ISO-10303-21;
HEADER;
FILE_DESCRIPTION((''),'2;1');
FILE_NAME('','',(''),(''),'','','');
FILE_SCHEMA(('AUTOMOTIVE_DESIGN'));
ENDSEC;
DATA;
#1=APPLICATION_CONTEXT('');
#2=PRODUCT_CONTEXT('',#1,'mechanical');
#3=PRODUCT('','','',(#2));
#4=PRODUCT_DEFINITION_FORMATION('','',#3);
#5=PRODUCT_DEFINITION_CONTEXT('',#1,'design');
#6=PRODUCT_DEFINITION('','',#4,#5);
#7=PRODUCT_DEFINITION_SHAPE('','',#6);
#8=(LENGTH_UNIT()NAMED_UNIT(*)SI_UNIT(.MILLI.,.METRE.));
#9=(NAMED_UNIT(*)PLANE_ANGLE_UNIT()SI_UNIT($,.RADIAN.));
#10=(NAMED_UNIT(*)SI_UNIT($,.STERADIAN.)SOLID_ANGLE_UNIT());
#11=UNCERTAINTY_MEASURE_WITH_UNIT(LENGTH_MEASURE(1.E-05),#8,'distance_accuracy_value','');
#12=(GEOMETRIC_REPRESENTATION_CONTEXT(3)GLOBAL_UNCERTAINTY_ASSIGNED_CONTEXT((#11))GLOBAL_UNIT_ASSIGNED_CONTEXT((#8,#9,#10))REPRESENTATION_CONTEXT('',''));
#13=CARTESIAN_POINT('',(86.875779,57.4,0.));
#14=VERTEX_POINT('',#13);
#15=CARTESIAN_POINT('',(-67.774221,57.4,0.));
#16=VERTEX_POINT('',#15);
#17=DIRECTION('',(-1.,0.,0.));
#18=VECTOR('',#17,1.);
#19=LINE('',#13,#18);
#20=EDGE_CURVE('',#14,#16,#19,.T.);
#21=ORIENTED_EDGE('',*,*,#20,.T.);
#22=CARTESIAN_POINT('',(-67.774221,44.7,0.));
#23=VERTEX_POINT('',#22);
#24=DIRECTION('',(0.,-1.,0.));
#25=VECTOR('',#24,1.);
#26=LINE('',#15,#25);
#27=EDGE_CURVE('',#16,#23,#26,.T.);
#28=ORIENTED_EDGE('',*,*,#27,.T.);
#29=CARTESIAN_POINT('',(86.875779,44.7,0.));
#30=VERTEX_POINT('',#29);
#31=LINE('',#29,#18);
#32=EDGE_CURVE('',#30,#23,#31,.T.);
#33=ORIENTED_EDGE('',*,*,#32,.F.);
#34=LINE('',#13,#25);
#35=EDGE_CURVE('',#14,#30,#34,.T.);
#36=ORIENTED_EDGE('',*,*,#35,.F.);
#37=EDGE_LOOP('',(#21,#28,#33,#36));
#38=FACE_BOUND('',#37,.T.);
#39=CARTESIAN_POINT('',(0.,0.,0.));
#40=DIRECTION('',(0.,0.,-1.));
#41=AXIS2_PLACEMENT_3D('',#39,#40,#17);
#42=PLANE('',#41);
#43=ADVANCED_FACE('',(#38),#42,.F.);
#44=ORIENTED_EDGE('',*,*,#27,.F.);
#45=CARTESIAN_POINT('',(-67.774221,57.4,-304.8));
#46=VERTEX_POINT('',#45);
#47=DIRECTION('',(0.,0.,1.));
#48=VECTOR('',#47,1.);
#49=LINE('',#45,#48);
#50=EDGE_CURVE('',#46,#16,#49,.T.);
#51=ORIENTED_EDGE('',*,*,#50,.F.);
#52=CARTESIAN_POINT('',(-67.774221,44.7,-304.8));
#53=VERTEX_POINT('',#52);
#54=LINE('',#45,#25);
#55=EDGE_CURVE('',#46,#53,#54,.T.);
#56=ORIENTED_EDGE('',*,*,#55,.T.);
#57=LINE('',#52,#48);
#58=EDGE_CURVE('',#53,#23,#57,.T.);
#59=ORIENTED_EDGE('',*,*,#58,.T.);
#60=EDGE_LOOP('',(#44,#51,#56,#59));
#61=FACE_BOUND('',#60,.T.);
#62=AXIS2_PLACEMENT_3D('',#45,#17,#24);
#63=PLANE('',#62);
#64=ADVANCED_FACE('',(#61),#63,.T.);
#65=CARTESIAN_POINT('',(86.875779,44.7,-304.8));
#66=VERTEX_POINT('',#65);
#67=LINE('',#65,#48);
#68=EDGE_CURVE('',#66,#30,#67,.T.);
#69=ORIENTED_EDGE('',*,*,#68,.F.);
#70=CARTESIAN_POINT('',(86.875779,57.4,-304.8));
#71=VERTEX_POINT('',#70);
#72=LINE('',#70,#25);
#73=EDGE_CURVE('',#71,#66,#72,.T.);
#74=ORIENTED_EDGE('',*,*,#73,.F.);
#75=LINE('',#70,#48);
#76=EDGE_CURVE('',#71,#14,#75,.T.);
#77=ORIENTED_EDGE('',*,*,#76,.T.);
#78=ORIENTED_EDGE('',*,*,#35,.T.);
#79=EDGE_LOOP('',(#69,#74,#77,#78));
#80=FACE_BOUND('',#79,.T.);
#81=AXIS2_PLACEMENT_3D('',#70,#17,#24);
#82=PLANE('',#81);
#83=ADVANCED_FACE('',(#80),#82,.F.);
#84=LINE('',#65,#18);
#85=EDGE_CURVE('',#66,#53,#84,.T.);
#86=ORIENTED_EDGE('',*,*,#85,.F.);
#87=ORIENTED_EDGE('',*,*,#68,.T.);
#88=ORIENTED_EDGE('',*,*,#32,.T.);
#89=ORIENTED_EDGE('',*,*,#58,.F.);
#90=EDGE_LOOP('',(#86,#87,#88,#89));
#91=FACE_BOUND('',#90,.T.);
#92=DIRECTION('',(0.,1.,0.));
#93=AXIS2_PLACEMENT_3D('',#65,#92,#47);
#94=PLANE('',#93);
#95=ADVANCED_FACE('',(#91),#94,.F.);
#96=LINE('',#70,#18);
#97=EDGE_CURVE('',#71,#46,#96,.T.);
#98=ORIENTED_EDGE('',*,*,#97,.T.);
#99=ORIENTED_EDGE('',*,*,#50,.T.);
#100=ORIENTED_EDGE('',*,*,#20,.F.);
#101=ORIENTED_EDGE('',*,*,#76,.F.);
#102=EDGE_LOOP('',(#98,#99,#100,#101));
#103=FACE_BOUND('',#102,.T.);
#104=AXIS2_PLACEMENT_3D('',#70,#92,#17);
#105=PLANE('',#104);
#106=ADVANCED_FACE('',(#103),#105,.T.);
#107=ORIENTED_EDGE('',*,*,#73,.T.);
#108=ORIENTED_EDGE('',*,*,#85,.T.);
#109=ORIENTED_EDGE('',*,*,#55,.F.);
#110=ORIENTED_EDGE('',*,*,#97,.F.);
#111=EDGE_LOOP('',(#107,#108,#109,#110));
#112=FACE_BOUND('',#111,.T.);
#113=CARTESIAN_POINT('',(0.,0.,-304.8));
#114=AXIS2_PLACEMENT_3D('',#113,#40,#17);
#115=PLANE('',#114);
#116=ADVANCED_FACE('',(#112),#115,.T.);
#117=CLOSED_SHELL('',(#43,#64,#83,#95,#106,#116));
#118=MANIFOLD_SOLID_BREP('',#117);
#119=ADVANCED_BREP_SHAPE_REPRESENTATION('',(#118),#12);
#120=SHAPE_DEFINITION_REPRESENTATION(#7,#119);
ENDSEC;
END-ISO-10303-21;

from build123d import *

# Parameters (mm, degrees)
SKETCH1_W           = 154.65
SKETCH1_H           = 12.7
BOSS_EXTRUDE1_DEPTH = 304.8


with BuildPart() as part:
    # Sketch1 → Boss-Extrude1 (new body)
    with BuildSketch(Plane.XY):
        with Locations((9.550778701, 51.05)):
            Rectangle(SKETCH1_W, SKETCH1_H)
    extrude(amount=-BOSS_EXTRUDE1_DEPTH)


solid = part.part
